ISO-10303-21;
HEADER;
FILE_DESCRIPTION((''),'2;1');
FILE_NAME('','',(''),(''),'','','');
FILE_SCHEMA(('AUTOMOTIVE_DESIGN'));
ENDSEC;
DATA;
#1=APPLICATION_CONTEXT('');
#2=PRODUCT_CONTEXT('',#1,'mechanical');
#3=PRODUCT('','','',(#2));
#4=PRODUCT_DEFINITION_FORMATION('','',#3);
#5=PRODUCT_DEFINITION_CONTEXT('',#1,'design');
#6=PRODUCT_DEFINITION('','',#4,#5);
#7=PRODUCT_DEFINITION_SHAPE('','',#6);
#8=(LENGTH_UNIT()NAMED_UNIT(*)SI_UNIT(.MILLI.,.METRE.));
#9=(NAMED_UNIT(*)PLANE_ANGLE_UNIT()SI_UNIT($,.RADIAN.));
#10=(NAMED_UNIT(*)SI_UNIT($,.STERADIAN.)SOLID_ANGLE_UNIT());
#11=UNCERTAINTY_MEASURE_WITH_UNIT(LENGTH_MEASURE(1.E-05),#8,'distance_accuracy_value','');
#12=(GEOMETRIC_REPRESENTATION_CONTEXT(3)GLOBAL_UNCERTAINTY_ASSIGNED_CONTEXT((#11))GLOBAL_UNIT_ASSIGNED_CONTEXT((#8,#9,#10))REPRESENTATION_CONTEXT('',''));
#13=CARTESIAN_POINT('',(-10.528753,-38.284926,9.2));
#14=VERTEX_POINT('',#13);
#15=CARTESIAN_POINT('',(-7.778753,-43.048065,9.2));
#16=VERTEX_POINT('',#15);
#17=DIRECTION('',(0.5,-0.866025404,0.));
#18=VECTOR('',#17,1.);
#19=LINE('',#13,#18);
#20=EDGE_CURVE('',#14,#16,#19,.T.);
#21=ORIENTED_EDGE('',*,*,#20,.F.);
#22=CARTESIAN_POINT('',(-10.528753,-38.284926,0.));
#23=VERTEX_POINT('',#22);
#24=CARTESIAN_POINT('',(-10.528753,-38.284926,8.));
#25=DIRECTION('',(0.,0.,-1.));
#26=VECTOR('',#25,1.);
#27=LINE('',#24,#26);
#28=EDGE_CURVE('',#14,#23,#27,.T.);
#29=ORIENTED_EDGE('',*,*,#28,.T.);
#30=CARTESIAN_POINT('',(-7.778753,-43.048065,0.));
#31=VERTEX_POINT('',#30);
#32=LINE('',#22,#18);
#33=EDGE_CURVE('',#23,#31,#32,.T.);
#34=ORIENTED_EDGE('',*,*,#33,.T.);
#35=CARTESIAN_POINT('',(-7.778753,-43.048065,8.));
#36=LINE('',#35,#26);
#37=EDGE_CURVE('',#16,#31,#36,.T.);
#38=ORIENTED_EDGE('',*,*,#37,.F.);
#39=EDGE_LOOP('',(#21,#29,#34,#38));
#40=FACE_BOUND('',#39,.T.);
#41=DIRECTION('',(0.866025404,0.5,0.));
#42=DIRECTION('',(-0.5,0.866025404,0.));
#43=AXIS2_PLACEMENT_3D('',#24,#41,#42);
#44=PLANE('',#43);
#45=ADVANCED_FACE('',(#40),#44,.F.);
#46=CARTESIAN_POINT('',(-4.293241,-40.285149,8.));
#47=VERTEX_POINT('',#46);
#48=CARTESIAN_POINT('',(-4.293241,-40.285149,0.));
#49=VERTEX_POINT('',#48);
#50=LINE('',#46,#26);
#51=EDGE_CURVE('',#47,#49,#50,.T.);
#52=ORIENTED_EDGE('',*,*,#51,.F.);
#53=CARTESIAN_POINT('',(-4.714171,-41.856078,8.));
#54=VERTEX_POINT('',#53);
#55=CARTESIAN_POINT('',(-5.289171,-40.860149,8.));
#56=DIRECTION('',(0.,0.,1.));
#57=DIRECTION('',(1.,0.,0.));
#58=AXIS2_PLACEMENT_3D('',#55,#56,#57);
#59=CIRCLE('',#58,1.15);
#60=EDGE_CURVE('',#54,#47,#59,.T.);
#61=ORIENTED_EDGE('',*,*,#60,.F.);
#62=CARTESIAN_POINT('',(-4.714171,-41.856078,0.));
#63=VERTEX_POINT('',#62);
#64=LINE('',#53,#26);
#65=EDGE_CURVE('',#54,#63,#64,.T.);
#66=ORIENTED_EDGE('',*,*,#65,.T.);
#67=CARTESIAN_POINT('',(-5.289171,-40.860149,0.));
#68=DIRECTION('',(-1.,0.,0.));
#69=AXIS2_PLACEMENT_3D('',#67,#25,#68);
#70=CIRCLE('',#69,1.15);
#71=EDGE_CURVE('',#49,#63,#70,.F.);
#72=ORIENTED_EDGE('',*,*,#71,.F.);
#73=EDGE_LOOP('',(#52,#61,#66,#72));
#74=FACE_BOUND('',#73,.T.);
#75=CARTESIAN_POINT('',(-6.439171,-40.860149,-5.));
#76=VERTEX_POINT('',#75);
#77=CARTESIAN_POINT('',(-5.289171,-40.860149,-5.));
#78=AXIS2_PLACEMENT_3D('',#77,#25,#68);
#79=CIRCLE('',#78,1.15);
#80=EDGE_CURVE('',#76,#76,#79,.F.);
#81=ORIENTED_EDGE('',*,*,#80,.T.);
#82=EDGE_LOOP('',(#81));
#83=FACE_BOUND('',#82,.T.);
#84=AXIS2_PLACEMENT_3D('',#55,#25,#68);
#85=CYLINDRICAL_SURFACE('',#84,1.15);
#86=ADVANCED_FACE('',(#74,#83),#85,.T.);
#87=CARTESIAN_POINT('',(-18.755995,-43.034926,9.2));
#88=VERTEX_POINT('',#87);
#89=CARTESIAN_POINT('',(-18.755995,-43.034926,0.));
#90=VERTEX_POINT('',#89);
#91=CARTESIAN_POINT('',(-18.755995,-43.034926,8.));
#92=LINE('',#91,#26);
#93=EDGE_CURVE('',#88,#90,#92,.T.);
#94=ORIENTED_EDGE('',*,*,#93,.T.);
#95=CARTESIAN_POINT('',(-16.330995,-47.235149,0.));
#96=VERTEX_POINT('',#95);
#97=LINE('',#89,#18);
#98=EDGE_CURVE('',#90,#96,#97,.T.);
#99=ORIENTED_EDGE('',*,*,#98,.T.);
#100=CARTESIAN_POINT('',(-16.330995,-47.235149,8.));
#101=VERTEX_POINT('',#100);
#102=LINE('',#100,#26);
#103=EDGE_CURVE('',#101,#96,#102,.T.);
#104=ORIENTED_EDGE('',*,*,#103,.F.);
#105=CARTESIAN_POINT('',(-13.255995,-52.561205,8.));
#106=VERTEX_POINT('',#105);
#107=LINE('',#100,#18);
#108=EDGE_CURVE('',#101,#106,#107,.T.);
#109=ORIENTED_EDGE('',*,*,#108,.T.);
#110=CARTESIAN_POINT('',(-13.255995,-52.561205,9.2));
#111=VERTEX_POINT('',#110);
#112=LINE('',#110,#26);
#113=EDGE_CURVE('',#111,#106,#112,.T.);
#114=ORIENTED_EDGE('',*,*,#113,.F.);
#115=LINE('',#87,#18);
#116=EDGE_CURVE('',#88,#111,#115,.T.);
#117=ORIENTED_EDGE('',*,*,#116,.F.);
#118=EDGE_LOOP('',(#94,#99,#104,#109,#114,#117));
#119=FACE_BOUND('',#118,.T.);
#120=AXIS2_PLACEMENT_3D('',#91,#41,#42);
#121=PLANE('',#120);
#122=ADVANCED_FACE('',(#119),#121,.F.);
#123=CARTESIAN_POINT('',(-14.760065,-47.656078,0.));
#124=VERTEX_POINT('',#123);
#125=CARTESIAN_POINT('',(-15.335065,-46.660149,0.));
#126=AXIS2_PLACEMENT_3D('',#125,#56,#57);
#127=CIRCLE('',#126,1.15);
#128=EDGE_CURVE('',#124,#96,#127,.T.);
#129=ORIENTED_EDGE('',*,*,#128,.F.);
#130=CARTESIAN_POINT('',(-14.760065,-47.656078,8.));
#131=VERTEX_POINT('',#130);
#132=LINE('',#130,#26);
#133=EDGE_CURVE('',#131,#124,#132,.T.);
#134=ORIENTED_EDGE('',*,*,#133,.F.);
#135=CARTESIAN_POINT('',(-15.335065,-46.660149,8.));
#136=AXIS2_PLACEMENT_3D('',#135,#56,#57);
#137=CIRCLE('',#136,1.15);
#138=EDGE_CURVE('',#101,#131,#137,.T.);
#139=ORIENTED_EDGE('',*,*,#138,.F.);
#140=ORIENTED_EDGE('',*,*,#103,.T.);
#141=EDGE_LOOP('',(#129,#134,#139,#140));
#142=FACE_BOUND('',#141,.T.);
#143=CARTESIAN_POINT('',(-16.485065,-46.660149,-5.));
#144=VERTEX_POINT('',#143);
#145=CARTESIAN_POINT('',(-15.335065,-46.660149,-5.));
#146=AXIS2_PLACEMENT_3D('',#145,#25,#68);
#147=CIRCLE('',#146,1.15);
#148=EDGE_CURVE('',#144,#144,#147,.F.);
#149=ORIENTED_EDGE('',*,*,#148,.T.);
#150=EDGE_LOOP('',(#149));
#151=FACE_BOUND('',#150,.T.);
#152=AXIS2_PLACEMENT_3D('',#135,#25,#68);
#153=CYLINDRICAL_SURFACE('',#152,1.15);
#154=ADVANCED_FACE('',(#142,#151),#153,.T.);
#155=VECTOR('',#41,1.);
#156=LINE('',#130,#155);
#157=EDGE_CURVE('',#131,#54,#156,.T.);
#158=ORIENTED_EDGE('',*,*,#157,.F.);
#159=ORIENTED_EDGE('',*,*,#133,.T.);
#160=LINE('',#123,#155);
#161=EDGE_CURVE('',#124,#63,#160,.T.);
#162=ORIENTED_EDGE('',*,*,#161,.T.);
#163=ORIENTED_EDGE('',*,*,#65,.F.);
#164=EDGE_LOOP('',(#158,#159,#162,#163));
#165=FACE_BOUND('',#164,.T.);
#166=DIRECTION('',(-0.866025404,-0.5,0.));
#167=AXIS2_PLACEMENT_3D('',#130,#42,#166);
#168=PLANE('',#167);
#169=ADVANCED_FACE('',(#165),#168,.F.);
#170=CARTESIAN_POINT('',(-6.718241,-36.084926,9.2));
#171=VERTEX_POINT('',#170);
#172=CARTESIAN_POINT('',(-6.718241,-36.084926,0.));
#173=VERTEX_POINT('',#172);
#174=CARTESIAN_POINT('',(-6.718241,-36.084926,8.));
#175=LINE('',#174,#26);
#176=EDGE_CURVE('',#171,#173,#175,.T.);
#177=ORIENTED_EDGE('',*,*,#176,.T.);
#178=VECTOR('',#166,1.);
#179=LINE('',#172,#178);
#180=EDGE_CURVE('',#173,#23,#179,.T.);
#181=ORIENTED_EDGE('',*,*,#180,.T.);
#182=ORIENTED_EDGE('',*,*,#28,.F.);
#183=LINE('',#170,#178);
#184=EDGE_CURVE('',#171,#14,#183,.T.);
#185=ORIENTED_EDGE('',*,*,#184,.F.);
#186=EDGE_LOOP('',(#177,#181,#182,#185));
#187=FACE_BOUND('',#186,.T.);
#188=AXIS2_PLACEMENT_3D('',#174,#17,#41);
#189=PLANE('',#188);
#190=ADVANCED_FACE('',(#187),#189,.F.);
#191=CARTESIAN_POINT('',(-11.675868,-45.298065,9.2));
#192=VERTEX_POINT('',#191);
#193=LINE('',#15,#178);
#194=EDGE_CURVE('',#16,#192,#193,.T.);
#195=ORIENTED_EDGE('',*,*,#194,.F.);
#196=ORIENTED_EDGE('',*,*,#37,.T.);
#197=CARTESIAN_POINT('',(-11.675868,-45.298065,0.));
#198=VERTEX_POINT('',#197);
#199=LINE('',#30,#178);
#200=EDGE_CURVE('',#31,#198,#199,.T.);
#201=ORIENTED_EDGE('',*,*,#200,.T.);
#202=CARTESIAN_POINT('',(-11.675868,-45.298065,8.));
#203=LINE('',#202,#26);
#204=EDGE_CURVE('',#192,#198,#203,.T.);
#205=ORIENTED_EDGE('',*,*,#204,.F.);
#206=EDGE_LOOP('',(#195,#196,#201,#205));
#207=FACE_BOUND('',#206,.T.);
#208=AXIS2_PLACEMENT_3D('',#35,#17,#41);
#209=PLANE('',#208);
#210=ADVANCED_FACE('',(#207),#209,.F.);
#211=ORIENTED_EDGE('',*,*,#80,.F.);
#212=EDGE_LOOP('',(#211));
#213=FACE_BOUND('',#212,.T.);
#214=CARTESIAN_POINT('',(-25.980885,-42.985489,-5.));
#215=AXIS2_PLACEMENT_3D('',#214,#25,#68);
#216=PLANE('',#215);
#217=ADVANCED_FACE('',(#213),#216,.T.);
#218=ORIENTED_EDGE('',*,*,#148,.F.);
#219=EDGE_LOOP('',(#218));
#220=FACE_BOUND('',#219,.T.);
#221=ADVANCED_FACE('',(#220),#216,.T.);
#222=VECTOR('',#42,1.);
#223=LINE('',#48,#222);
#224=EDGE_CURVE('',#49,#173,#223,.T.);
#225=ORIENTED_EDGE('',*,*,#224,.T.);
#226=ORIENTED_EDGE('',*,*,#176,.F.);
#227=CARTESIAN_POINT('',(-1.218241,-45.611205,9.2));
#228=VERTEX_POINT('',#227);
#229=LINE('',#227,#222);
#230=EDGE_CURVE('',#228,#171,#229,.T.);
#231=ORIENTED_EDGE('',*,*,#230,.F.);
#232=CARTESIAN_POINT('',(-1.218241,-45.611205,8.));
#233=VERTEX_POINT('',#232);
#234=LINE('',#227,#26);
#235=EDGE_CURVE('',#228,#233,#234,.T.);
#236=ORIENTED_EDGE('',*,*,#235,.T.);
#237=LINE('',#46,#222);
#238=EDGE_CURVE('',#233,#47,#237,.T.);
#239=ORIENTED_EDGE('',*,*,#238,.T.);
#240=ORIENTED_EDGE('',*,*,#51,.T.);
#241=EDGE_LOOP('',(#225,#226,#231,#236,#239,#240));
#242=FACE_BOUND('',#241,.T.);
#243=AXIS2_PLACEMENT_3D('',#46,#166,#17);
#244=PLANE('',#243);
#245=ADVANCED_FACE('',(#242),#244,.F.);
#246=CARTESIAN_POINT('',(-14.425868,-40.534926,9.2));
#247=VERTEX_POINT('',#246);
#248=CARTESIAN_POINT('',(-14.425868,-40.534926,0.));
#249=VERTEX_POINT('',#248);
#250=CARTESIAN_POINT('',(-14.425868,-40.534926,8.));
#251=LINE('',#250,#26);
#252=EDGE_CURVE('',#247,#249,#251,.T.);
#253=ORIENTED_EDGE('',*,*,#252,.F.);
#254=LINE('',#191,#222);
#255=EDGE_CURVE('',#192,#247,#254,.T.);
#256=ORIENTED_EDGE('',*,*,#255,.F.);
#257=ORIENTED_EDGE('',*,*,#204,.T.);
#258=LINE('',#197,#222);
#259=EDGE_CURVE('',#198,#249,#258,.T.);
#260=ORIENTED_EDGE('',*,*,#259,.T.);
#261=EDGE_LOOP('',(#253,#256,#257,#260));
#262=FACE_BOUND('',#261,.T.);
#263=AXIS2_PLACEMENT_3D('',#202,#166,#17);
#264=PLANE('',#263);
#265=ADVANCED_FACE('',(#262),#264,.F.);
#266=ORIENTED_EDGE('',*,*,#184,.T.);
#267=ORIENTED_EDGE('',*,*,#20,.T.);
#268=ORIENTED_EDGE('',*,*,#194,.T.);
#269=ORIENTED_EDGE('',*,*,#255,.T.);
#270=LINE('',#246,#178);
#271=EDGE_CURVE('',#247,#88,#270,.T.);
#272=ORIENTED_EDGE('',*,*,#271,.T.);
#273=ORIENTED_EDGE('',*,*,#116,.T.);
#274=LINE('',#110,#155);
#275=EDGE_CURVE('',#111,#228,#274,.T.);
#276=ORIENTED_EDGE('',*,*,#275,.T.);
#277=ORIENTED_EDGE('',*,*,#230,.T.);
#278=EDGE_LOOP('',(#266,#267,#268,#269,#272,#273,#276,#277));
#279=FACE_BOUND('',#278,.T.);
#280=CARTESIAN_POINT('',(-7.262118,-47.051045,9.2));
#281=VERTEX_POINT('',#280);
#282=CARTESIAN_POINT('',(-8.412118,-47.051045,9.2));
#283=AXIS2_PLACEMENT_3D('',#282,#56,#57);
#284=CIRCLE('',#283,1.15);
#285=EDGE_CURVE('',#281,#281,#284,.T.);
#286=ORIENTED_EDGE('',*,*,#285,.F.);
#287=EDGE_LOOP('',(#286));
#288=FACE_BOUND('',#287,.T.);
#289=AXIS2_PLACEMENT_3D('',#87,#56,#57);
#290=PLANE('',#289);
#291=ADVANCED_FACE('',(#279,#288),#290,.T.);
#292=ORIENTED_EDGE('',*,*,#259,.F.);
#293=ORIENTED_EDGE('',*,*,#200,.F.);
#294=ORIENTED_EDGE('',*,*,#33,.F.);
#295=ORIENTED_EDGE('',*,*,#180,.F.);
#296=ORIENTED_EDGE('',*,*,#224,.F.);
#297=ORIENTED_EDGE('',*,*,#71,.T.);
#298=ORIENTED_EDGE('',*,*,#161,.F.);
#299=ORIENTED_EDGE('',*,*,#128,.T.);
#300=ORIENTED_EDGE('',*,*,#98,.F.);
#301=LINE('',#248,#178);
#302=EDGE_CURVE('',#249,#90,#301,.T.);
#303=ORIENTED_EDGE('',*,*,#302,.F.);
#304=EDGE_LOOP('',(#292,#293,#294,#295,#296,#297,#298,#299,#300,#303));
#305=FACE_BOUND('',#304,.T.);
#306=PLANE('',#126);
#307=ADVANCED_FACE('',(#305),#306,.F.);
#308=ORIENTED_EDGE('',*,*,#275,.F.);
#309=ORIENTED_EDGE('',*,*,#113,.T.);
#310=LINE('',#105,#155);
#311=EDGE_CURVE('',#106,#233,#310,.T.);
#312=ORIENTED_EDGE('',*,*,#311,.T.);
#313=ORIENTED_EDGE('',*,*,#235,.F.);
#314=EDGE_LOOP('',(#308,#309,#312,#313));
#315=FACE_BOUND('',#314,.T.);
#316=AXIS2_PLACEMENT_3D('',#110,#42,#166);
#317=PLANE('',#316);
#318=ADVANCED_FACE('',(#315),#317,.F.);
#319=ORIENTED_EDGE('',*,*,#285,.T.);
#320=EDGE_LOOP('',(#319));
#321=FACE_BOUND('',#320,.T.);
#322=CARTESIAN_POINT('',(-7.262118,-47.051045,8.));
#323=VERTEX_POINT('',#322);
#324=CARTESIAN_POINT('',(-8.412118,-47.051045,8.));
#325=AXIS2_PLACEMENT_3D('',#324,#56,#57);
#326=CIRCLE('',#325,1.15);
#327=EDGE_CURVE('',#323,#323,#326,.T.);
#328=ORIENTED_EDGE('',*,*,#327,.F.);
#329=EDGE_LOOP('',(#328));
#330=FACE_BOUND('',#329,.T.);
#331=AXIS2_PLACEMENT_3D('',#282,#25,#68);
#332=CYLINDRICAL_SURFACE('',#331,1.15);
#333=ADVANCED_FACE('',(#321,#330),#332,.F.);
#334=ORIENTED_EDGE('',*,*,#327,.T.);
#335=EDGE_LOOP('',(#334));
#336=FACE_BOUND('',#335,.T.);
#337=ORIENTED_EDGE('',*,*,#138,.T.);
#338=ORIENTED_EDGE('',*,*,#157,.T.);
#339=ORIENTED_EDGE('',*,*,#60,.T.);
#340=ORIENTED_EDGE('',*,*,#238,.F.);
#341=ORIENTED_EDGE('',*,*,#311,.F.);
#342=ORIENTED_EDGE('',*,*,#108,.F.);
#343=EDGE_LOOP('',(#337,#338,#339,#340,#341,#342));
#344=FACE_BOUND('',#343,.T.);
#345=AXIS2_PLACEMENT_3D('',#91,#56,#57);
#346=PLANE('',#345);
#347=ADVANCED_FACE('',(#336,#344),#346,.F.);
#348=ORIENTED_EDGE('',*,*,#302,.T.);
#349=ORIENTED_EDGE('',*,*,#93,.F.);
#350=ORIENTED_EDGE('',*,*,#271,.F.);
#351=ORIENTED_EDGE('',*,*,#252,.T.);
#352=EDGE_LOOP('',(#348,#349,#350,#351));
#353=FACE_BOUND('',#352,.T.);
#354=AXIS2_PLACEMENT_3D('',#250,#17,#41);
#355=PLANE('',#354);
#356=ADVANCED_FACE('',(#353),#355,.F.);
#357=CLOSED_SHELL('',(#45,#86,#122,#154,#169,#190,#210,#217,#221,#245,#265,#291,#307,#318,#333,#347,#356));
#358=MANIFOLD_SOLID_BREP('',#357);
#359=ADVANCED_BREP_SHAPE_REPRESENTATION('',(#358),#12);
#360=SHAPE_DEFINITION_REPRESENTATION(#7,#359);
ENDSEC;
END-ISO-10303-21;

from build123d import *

# Parameters (mm, degrees)
EXTRUSION1_DEPTH = 8
ESQUISSE2_R      = 1.15
EXTRUSION2_DEPTH = 1.2
EXTRUSION3_START = 5
EXTRUSION3_DEPTH = 5


with BuildPart() as part:
    # Esquisse1 → Extrusion1 (new body)
    with BuildSketch(Plane.XY):
        with BuildLine():
            Line((-14.760065323, -47.656078111), (-4.714170639, -41.856078111))
            ThreePointArc((-4.714170639, -41.856078111), (-4.178355938, -41.157790798), (-4.293241424, -40.285148896))
            Line((-4.293241424, -40.285148896), (-6.718241424, -36.084925688))
            Line((-6.718241424, -36.084925688), (-10.528753201, -38.284925688))
            Line((-10.528753201, -38.284925688), (-7.778753201, -43.048065409))
            Line((-7.778753201, -43.048065409), (-11.675867518, -45.298065409))
            Line((-11.675867518, -45.298065409), (-14.425867518, -40.534925688))
            Line((-14.425867518, -40.534925688), (-18.755994537, -43.034925688))
            Line((-18.755994537, -43.034925688), (-16.330994537, -47.235148896))
            ThreePointArc((-16.330994537, -47.235148896), (-15.632707224, -47.770963597), (-14.760065323, -47.656078111))
        make_face()
    extrude(amount=EXTRUSION1_DEPTH)

    # Esquisse2 → Extrusion2 (add)
    with BuildSketch(Plane.XY.offset(8)):
        Polygon((-18.755994537, -43.034925688), (-16.330994537, -47.235148896), (-13.255994537, -52.56120513), (-1.218241424, -45.61120513), (-4.293241424, -40.285148896), (-6.718241424, -36.084925688), (-10.528753201, -38.284925688), (-7.778753201, -43.048065409), (-11.675867518, -45.298065409), (-14.425867518, -40.534925688), align=None)
        with Locations((-8.412117981, -47.051045431)):
            Circle(ESQUISSE2_R, mode=Mode.SUBTRACT)
    extrude(amount=EXTRUSION2_DEPTH)

    # Esquisse3 → Extrusion3 (add)
    with BuildSketch(Plane(origin=(0, 0, 0), x_dir=(-1, 0, 0), z_dir=(0, 0, -1)).offset(EXTRUSION3_START)):
        with BuildLine():
            ThreePointArc((4.714170639, -41.856078111), (5.864170639, -41.856078111), (6.439170639, -40.860148896))
            ThreePointArc((6.439170639, -40.860148896), (5.586812541, -39.749334196), (4.293241424, -40.285148896))
            ThreePointArc((4.293241424, -40.285148896), (4.178355938, -41.157790798), (4.714170639, -41.856078111))
        make_face()
        with BuildLine():
            ThreePointArc((16.330994537, -47.235148896), (16.445880023, -46.957790798), (16.485065323, -46.660148896))
            ThreePointArc((16.485065323, -46.660148896), (14.760065323, -45.664219682), (14.760065323, -47.656078111))
            ThreePointArc((14.760065323, -47.656078111), (15.632707224, -47.770963597), (16.330994537, -47.235148896))
        make_face()
    extrude(amount=-EXTRUSION3_DEPTH)


solid = part.part
